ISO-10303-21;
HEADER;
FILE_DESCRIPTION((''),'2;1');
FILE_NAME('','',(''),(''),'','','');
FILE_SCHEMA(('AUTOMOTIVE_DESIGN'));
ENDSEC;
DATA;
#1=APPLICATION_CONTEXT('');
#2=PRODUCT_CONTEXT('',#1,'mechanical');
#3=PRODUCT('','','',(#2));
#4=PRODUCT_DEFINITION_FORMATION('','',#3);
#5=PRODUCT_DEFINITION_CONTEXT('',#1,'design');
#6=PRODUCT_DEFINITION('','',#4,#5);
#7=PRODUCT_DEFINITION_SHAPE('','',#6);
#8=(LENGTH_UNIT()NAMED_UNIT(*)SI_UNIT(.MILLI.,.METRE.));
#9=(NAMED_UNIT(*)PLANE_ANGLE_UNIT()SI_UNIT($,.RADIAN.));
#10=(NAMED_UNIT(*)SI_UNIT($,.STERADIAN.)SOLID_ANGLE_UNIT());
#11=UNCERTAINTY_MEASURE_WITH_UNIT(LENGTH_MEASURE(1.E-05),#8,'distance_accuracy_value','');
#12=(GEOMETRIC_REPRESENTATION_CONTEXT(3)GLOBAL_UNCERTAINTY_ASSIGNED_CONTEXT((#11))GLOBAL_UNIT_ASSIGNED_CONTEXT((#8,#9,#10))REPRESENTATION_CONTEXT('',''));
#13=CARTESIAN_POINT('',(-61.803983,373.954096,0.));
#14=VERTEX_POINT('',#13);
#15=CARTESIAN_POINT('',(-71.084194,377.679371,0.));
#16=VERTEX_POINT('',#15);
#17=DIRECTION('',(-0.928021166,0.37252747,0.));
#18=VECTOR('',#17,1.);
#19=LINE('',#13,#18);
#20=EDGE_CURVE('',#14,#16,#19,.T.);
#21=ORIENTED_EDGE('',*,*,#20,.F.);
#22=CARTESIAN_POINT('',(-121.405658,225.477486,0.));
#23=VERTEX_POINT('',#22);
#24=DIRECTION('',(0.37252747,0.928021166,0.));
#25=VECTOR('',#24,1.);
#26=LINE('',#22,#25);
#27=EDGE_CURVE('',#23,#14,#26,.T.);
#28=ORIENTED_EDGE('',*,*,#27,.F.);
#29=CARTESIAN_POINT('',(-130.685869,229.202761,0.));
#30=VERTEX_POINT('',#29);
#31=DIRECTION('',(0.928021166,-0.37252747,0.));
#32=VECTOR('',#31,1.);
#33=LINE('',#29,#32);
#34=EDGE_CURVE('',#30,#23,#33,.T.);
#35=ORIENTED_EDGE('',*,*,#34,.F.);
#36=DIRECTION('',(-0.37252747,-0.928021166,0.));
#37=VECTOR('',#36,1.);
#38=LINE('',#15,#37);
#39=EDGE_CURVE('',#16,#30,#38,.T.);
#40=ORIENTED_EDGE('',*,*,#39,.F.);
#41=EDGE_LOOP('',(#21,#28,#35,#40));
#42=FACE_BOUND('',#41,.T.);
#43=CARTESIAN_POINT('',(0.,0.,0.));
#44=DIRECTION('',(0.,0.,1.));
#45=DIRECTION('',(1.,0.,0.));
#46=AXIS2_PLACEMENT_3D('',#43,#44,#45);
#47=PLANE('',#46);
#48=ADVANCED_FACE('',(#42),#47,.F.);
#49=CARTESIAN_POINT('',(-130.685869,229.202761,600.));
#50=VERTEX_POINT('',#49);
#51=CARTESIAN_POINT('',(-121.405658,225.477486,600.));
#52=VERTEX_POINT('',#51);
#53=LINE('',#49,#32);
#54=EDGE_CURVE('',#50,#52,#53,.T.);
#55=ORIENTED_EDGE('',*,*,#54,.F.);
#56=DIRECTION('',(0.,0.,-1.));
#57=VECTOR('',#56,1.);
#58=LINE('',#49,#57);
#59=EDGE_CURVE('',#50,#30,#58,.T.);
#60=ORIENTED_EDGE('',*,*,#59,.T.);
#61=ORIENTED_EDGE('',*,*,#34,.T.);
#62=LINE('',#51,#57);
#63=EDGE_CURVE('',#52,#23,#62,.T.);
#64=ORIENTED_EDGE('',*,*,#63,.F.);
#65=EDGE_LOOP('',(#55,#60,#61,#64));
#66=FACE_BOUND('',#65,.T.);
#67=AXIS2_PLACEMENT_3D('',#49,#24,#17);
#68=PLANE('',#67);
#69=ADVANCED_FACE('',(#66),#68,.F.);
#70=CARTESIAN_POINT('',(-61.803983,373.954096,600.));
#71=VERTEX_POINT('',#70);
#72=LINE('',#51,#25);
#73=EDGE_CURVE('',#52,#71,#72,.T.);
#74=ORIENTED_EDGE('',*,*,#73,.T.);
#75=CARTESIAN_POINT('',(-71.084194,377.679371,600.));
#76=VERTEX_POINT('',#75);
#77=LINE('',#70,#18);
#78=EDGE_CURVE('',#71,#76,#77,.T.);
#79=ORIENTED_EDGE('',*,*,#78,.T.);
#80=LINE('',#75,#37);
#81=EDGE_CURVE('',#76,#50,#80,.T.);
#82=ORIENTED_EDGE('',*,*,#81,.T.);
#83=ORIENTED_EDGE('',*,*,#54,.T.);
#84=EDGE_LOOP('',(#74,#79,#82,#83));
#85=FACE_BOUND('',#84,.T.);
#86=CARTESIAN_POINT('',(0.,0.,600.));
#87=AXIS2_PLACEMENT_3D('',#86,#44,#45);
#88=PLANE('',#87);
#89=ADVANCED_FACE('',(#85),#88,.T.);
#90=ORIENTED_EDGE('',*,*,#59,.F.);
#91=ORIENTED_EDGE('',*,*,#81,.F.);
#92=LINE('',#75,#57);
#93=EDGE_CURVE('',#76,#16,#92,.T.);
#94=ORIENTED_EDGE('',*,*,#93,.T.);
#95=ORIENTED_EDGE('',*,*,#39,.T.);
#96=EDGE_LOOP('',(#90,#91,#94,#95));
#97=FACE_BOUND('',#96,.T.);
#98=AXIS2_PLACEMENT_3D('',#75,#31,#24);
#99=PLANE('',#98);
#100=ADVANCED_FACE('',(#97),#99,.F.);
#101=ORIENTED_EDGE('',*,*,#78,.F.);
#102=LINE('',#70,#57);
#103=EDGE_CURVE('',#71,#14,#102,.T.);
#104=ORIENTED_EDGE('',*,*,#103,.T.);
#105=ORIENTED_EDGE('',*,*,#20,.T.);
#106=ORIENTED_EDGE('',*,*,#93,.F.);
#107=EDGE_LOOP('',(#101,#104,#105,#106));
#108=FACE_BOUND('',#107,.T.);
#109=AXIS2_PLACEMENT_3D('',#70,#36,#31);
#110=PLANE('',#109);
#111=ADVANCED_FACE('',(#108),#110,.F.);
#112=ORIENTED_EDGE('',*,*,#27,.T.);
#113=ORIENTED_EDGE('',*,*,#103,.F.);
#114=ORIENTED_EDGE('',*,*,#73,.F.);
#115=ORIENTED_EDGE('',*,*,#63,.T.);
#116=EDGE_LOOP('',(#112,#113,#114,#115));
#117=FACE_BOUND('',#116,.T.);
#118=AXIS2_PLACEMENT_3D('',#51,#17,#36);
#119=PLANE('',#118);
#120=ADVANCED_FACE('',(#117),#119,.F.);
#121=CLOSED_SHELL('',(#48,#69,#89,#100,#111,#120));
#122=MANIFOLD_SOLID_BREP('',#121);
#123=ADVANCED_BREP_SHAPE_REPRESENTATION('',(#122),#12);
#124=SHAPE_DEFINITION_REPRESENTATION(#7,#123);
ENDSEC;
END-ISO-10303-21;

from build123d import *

# Parameters (mm, degrees)
BOSS_EXTRU_1_DEPTH = 600


with BuildPart() as part:
    # Esquisse1 → Boss.-Extru.1 (new body)
    with BuildSketch(Plane.XY):
        Polygon((-71.084194368, 377.679371173), (-130.685869423, 229.202761013), (-121.405657766, 225.477486312), (-61.803982711, 373.954096471), align=None)
    extrude(amount=BOSS_EXTRU_1_DEPTH)


solid = part.part
